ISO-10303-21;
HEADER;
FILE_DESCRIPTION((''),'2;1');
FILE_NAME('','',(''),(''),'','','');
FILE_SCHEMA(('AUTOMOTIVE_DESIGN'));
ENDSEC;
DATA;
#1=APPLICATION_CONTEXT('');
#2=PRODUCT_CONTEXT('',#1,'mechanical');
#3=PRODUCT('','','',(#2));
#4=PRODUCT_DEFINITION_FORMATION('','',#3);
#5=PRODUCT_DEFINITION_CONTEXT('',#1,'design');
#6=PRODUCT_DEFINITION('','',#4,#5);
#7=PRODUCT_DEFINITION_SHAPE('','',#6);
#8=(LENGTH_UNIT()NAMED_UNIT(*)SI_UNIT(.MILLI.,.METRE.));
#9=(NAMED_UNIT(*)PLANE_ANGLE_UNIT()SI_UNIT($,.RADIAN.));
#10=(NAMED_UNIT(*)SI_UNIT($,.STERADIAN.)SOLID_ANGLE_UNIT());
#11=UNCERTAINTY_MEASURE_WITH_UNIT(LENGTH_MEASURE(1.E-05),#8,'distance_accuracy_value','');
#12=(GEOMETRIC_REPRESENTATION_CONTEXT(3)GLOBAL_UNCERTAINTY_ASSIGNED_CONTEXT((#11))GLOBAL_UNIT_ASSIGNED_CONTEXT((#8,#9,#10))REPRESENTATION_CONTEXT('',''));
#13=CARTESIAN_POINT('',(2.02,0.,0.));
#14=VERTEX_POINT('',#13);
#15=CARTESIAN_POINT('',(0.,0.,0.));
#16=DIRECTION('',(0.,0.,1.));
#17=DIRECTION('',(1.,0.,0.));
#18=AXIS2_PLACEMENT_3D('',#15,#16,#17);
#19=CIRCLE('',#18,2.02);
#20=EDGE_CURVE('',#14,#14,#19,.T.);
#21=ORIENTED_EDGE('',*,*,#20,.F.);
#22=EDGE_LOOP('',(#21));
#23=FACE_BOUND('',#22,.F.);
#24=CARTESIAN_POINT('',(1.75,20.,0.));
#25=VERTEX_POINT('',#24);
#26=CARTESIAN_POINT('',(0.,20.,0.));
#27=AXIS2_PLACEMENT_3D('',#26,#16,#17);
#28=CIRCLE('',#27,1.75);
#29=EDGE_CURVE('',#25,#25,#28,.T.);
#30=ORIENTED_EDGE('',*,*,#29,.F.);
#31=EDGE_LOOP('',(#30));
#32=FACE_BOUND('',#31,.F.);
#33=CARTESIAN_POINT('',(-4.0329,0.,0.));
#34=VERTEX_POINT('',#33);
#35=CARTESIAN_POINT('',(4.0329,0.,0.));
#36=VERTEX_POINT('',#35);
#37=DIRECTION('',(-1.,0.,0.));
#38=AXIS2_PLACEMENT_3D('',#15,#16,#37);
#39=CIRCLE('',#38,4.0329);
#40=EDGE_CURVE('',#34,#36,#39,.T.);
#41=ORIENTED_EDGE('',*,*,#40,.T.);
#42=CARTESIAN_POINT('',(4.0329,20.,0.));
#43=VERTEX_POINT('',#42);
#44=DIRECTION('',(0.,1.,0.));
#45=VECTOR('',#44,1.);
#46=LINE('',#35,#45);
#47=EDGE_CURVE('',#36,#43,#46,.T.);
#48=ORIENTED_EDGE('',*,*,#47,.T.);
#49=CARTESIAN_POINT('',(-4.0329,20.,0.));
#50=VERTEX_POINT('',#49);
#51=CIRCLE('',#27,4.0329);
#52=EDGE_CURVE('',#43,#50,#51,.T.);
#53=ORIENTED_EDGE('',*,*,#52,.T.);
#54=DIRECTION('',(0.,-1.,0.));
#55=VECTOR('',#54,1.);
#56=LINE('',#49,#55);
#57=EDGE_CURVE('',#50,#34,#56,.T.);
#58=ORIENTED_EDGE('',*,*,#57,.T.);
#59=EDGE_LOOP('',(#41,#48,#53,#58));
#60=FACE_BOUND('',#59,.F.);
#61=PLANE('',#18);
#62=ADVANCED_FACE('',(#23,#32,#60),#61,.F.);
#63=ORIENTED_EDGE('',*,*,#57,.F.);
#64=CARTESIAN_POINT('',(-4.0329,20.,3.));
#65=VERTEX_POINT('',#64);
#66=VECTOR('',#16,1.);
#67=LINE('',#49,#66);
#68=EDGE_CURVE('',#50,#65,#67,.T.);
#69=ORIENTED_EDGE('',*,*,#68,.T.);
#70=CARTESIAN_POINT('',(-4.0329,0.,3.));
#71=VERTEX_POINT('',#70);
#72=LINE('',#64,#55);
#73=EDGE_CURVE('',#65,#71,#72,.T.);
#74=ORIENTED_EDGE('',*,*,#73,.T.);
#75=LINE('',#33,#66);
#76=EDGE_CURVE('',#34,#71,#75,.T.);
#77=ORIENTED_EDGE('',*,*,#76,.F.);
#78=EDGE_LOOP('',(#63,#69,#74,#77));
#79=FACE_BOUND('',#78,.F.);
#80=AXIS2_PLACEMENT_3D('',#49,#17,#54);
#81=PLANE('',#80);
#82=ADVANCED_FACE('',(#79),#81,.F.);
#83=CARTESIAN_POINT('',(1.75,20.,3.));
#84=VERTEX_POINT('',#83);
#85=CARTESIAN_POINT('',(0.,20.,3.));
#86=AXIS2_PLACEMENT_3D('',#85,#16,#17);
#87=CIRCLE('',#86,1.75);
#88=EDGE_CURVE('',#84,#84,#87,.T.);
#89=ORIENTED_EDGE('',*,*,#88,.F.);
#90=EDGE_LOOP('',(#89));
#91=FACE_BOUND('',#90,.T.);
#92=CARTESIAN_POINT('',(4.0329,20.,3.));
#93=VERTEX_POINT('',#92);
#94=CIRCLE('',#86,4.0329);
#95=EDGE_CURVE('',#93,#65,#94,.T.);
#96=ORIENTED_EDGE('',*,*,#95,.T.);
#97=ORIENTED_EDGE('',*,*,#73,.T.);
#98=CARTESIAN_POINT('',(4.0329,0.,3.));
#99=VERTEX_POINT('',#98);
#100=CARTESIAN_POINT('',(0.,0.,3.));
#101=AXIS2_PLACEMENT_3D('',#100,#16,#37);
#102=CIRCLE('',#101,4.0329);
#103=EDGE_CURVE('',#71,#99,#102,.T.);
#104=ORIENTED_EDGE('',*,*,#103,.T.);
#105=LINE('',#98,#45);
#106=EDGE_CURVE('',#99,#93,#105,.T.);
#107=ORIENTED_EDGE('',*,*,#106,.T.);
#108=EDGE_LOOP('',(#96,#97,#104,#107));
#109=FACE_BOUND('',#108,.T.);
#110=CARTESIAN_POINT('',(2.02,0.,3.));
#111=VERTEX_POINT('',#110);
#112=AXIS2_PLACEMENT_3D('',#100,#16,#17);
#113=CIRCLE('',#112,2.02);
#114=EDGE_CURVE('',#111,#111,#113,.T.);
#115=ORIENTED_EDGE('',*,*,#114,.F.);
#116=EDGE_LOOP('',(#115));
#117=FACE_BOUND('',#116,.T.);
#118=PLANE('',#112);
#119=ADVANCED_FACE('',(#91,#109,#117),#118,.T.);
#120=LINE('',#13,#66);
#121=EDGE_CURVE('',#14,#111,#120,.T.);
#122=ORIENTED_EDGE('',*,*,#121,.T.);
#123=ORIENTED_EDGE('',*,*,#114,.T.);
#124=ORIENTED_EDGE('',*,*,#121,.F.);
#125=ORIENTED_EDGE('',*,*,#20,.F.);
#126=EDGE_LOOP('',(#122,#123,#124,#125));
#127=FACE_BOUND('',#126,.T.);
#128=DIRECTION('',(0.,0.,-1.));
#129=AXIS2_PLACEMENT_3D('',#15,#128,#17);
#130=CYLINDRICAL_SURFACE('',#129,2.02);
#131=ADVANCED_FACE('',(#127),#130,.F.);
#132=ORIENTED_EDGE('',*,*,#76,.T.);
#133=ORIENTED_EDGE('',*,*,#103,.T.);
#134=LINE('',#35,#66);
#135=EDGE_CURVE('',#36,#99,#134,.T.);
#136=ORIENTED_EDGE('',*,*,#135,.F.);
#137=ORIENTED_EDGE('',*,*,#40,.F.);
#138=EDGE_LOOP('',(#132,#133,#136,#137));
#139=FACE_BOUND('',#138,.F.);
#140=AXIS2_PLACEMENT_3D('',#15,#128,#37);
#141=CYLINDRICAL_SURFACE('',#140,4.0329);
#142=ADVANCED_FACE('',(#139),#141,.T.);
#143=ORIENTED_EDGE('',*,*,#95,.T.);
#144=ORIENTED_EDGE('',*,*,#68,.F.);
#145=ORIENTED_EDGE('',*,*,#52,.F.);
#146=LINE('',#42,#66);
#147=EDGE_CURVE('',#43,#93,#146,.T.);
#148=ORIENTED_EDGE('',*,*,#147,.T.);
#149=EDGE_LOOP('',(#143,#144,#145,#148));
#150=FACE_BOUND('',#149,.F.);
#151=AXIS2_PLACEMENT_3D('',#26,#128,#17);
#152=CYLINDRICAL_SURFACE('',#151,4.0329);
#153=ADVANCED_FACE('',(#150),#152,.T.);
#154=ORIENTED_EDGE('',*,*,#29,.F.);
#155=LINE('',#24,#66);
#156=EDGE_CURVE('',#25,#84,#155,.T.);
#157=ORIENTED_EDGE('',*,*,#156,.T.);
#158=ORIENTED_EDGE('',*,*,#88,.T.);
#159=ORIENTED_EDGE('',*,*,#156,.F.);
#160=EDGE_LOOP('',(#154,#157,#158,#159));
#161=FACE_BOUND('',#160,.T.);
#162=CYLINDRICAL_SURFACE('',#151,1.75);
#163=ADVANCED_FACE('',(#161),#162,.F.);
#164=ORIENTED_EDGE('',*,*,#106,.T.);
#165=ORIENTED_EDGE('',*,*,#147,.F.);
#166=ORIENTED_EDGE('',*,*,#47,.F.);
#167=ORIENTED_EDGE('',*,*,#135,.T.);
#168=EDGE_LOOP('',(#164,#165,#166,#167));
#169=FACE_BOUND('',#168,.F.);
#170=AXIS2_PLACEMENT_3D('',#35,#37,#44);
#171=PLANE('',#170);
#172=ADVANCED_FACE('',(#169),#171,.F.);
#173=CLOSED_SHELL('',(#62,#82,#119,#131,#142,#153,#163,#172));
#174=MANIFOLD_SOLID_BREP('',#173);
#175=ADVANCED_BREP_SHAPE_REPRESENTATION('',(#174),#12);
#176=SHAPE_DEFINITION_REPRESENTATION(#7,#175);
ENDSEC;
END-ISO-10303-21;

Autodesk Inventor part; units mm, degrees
ref_plane "YZ Plane" through (0, 0, 0) normal (1, 0, 0) x (0, 1, 0)
ref_plane "XZ Plane" through (0, 0, 0) normal (0, 1, 0) x (-1, 0, 0)
ref_plane "XY Plane" through (0, 0, 0) normal (0, 0, 1) x (1, 0, 0)
sketch "Sketch1" plane through (0, 0, 0) normal (0, 0, 1) x (1, 0, 0)
  line L0 (0, 0) -> (0, 20) construction
  circle A0 centre (0, 0) radius 2.02
  circle A1 centre (0, 20) radius 1.75
  line L1 (0, 0) -> (0, 20) construction
  line L2 (4.0329, 0) -> (4.0329, 20)
  line L3 (-4.0329, 20) -> (-4.0329, 0)
  arc A2 (-4.0329, 0) -> (4.0329, 0) centre (0, 0) ccw
  arc A3 (4.0329, 20) -> (-4.0329, 20) centre (0, 20) ccw
  point P0 (0, 10)
  point P1 (0, 10)
  dimension "d0" = 20
  dimension "d2" = 4.04
  dimension "d3" = 3.5
extrude "Extrusion2" add sketch "Sketch1" along normal blind 3
properties part number "RedKangoroo_001_bar1ipt"
